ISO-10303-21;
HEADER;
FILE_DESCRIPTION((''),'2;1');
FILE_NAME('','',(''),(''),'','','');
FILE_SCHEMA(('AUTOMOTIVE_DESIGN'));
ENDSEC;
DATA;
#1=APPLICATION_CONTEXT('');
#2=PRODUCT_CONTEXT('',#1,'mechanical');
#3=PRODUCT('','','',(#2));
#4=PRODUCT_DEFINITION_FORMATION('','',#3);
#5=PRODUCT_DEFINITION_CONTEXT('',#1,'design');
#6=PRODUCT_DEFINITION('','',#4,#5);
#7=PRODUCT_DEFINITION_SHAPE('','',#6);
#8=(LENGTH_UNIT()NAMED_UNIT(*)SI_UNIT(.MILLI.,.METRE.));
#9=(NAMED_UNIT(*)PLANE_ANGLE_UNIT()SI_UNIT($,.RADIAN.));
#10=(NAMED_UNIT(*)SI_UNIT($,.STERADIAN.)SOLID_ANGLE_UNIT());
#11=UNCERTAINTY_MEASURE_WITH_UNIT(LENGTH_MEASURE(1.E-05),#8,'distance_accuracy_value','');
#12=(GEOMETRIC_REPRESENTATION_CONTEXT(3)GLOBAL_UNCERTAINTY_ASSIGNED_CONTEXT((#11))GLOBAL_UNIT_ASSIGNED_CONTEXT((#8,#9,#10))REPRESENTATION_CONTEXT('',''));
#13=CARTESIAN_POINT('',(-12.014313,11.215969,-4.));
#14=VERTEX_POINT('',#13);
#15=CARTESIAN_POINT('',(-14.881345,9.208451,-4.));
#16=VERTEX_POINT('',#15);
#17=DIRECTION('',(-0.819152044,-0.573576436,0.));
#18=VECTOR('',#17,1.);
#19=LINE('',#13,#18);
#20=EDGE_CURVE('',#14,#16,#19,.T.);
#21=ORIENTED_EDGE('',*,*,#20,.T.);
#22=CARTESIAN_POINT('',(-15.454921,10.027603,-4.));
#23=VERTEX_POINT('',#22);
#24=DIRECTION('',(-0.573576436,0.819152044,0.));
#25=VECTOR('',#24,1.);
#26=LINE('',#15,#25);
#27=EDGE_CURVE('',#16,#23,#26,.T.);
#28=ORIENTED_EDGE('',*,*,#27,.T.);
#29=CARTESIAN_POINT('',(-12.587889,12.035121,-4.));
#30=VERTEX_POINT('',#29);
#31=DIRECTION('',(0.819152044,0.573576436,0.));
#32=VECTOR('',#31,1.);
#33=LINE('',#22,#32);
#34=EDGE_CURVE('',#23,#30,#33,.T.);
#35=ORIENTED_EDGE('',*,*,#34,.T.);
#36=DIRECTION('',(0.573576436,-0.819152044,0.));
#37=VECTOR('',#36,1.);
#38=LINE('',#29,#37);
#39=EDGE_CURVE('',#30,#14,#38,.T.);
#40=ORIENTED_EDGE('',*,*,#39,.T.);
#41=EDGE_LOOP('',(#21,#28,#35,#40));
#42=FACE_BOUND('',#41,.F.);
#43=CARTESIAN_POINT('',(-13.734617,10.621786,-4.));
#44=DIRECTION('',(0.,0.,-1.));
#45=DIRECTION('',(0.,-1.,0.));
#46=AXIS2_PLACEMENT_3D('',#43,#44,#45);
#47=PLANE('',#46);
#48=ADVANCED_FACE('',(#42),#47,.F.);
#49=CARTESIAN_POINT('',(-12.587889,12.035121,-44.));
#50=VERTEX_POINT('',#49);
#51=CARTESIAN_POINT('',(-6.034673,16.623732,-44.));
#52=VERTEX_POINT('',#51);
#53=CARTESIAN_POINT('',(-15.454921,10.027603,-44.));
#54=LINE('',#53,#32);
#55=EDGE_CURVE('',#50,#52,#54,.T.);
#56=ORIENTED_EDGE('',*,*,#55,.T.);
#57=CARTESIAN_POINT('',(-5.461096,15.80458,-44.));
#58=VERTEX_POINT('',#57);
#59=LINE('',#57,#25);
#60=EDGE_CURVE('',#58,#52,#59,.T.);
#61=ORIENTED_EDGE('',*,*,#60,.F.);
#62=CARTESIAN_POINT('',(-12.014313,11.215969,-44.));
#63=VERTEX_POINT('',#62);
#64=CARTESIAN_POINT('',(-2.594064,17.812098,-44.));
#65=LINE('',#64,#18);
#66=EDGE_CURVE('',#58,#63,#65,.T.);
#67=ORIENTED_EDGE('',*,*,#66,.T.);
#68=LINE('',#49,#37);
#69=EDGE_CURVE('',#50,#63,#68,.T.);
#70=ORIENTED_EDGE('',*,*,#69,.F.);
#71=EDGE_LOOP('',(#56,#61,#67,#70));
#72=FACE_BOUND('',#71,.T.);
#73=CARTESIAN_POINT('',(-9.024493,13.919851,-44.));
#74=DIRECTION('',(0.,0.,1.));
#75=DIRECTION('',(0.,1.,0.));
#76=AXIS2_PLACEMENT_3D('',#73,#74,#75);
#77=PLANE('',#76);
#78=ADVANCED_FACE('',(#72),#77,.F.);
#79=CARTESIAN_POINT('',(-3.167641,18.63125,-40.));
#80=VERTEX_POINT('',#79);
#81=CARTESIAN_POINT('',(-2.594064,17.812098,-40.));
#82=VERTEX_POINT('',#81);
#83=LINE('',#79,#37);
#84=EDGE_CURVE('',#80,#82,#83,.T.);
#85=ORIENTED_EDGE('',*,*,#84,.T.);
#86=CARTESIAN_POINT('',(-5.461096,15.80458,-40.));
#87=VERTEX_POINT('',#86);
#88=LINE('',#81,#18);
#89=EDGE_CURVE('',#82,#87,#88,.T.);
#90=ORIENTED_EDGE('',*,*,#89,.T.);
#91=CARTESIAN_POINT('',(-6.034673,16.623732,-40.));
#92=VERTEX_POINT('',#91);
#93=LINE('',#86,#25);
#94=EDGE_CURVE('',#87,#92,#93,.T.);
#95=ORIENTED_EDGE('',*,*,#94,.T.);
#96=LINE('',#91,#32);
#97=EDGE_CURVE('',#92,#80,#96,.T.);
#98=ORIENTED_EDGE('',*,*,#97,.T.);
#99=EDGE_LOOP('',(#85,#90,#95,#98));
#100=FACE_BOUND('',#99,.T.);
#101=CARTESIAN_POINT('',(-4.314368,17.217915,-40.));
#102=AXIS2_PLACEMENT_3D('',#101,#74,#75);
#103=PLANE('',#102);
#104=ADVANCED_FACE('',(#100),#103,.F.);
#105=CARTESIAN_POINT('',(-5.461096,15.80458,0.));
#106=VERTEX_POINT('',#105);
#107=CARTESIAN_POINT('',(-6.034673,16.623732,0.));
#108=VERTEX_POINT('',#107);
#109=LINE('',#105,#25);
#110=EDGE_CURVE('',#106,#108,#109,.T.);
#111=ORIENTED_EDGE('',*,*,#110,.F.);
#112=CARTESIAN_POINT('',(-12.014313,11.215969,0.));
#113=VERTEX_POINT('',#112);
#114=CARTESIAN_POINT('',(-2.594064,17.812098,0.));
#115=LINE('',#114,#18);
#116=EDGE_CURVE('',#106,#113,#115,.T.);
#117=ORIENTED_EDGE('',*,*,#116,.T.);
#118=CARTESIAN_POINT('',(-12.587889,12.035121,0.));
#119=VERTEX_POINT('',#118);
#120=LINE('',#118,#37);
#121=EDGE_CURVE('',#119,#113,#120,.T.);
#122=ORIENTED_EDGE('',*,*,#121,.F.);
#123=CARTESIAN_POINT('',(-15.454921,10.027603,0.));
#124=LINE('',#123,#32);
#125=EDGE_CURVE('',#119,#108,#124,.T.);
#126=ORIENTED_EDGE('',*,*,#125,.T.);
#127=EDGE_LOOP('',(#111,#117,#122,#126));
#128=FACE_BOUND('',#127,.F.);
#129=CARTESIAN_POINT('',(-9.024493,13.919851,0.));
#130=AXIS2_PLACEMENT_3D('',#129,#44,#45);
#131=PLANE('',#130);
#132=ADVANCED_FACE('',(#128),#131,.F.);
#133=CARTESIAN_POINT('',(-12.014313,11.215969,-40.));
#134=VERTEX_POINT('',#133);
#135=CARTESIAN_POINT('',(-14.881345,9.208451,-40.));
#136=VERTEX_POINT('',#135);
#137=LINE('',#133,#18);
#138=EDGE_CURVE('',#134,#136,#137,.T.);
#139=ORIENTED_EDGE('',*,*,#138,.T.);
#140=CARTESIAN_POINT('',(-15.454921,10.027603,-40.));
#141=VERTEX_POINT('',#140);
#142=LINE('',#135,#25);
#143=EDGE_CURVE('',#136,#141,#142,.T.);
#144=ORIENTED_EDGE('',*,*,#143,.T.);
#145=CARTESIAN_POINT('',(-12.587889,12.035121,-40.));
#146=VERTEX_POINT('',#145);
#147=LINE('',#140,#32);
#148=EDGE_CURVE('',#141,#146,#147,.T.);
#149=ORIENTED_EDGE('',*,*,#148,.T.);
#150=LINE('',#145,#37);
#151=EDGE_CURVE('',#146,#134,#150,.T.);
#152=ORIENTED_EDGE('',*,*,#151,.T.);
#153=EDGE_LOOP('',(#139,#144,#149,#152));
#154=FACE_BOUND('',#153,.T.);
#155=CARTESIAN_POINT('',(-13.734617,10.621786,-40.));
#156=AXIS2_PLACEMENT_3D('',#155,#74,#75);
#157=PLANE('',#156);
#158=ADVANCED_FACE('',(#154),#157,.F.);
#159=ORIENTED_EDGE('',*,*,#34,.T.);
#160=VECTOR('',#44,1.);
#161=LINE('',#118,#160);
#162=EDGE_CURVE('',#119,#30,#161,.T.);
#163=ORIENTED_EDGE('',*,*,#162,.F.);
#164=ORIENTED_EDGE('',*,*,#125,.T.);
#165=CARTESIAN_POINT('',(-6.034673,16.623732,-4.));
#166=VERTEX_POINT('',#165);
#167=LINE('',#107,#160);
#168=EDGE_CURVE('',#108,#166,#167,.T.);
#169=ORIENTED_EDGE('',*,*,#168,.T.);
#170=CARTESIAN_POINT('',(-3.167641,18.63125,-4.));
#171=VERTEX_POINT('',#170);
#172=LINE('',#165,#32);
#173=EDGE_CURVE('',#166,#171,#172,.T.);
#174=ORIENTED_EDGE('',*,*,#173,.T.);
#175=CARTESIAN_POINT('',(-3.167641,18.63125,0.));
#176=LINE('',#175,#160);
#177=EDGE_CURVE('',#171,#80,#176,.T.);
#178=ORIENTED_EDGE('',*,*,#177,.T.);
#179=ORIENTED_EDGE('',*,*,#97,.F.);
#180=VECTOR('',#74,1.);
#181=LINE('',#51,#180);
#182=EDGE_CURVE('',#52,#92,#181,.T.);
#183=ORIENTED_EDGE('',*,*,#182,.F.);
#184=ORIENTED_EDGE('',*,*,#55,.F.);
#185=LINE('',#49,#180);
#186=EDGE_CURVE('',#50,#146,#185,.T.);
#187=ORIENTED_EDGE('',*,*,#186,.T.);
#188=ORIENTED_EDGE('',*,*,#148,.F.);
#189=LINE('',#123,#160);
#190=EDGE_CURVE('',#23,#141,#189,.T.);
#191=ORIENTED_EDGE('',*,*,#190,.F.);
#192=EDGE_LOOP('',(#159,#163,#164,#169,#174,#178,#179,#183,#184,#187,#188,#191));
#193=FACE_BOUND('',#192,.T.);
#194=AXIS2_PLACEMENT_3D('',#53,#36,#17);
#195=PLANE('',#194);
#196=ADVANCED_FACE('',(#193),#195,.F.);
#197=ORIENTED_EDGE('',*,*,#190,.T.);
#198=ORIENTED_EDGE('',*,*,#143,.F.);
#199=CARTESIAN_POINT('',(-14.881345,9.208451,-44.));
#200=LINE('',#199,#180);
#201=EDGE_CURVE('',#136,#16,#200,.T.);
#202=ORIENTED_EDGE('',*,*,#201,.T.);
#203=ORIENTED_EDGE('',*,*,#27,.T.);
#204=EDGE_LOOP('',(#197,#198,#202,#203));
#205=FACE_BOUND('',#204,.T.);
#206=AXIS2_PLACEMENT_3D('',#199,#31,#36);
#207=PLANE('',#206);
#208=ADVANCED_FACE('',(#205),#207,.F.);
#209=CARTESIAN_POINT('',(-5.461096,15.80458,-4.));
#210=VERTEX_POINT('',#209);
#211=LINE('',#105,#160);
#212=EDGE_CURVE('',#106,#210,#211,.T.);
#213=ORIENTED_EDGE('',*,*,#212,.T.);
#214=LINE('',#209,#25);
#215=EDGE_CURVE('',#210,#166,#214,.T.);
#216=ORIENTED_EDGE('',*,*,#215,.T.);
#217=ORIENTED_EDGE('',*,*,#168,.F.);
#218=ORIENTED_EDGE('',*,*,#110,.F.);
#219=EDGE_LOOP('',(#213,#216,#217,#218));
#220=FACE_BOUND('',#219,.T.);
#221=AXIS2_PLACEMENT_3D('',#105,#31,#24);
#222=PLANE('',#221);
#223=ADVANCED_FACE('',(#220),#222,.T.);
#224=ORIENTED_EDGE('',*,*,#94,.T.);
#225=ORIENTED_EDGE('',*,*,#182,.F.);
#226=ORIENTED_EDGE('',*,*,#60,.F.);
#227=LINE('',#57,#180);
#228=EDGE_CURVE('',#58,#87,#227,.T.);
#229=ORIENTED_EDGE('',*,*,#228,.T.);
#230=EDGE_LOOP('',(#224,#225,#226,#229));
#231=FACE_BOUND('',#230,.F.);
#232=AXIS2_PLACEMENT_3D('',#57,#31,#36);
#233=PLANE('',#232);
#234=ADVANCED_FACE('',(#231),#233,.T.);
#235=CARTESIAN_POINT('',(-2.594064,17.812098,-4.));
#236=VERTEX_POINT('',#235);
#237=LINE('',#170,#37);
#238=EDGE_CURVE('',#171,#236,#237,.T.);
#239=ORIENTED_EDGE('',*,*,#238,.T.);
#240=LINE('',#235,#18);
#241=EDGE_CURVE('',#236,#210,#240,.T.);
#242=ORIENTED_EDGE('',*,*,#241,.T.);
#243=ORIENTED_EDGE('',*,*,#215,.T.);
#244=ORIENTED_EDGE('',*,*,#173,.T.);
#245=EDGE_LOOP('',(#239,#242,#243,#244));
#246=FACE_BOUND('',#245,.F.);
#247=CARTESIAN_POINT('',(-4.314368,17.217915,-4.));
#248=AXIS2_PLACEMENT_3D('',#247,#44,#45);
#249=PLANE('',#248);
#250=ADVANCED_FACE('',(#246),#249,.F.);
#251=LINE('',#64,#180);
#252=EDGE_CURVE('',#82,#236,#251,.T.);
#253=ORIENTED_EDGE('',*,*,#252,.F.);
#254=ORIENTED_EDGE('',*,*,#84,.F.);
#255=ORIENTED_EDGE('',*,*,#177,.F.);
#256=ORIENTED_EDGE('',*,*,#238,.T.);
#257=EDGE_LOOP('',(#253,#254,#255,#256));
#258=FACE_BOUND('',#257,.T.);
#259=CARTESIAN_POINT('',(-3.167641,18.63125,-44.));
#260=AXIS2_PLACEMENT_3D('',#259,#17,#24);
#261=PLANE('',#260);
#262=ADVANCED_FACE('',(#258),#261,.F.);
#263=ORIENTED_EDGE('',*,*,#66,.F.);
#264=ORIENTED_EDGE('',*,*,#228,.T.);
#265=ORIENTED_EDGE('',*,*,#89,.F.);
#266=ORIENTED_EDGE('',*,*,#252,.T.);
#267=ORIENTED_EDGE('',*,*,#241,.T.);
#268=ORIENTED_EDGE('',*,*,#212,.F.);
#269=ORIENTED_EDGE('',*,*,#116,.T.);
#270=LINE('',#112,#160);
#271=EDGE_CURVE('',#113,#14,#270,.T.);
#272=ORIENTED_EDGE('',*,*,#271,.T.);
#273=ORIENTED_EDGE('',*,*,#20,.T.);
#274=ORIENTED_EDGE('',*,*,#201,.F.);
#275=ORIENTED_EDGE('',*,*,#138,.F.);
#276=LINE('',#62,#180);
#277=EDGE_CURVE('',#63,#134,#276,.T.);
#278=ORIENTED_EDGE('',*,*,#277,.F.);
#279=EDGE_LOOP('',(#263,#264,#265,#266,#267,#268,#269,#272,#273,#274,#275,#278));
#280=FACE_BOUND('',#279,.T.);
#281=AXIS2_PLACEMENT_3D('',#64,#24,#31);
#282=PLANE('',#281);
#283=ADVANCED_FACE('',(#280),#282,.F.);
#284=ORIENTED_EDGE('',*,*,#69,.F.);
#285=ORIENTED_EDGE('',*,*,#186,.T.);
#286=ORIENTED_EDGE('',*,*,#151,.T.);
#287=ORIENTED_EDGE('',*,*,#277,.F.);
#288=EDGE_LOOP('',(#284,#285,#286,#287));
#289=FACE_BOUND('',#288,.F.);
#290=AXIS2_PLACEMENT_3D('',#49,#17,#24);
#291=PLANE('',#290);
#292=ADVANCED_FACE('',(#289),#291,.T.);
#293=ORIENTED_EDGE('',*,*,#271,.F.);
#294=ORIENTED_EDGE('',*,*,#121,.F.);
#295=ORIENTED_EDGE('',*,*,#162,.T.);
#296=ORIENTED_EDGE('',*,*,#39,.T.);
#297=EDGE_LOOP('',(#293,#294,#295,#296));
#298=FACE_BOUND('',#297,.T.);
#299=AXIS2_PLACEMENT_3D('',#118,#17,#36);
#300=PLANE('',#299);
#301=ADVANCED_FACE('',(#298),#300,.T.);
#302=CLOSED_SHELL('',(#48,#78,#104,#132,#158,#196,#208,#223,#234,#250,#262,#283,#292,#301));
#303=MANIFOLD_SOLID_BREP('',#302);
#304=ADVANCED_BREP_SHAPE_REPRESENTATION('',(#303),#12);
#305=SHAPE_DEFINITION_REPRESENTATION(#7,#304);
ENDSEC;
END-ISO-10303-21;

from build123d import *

# Parameters (mm, degrees)
PAD008_DEPTH               = 22
POCKET008_DEPTH            = 4
BODY004023_PLACEMENT_ANGLE = 90


with BuildPart() as part:
    # Sketch014 → Pad008 (new body)
    with BuildSketch(Plane.XY):
        Polygon((9.2084513411, 14.8813448283), (10.0276033854, 15.4549212646), (18.6312499306, 3.1676406003), (17.8120978864, 2.594064164), align=None)
    pad008 = extrude(amount=-PAD008_DEPTH)

    # Mirrored: Pad008 across face of Pad008
    add(pad008.mirror(Plane(origin=(13.9198506359, 9.0244927143, -22), x_dir=(1, 0, 0), z_dir=(0, 0, -1))))

    # Sketch027 → Pocket008 (cut)
    with BuildSketch(Plane.XY):
        Polygon((9.2084513411, 14.8813448283), (10.0276033854, 15.4549212646), (12.0351209126, 12.5878891096), (11.2159688683, 12.0143126733), align=None)
        Polygon((18.6312499306, 3.1676406003), (17.8120978864, 2.594064164), (15.8045803591, 5.461096319), (16.6237324034, 6.0346727553), align=None)
    pocket008 = extrude(amount=-POCKET008_DEPTH, mode=Mode.SUBTRACT)

    # Mirrored001: Pocket008 across face of Pad008
    add(pocket008.mirror(Plane(origin=(13.9198506359, 9.0244927143, -22), x_dir=(1, 0, 0), z_dir=(0, 0, -1))), mode=Mode.SUBTRACT)


with BuildPart() as part_1:
    # Body004023 placement: moved
    add(part.part.rotate(Axis((0, 0, 0), (0, 0, 1)), BODY004023_PLACEMENT_ANGLE))


solid = part_1.part
